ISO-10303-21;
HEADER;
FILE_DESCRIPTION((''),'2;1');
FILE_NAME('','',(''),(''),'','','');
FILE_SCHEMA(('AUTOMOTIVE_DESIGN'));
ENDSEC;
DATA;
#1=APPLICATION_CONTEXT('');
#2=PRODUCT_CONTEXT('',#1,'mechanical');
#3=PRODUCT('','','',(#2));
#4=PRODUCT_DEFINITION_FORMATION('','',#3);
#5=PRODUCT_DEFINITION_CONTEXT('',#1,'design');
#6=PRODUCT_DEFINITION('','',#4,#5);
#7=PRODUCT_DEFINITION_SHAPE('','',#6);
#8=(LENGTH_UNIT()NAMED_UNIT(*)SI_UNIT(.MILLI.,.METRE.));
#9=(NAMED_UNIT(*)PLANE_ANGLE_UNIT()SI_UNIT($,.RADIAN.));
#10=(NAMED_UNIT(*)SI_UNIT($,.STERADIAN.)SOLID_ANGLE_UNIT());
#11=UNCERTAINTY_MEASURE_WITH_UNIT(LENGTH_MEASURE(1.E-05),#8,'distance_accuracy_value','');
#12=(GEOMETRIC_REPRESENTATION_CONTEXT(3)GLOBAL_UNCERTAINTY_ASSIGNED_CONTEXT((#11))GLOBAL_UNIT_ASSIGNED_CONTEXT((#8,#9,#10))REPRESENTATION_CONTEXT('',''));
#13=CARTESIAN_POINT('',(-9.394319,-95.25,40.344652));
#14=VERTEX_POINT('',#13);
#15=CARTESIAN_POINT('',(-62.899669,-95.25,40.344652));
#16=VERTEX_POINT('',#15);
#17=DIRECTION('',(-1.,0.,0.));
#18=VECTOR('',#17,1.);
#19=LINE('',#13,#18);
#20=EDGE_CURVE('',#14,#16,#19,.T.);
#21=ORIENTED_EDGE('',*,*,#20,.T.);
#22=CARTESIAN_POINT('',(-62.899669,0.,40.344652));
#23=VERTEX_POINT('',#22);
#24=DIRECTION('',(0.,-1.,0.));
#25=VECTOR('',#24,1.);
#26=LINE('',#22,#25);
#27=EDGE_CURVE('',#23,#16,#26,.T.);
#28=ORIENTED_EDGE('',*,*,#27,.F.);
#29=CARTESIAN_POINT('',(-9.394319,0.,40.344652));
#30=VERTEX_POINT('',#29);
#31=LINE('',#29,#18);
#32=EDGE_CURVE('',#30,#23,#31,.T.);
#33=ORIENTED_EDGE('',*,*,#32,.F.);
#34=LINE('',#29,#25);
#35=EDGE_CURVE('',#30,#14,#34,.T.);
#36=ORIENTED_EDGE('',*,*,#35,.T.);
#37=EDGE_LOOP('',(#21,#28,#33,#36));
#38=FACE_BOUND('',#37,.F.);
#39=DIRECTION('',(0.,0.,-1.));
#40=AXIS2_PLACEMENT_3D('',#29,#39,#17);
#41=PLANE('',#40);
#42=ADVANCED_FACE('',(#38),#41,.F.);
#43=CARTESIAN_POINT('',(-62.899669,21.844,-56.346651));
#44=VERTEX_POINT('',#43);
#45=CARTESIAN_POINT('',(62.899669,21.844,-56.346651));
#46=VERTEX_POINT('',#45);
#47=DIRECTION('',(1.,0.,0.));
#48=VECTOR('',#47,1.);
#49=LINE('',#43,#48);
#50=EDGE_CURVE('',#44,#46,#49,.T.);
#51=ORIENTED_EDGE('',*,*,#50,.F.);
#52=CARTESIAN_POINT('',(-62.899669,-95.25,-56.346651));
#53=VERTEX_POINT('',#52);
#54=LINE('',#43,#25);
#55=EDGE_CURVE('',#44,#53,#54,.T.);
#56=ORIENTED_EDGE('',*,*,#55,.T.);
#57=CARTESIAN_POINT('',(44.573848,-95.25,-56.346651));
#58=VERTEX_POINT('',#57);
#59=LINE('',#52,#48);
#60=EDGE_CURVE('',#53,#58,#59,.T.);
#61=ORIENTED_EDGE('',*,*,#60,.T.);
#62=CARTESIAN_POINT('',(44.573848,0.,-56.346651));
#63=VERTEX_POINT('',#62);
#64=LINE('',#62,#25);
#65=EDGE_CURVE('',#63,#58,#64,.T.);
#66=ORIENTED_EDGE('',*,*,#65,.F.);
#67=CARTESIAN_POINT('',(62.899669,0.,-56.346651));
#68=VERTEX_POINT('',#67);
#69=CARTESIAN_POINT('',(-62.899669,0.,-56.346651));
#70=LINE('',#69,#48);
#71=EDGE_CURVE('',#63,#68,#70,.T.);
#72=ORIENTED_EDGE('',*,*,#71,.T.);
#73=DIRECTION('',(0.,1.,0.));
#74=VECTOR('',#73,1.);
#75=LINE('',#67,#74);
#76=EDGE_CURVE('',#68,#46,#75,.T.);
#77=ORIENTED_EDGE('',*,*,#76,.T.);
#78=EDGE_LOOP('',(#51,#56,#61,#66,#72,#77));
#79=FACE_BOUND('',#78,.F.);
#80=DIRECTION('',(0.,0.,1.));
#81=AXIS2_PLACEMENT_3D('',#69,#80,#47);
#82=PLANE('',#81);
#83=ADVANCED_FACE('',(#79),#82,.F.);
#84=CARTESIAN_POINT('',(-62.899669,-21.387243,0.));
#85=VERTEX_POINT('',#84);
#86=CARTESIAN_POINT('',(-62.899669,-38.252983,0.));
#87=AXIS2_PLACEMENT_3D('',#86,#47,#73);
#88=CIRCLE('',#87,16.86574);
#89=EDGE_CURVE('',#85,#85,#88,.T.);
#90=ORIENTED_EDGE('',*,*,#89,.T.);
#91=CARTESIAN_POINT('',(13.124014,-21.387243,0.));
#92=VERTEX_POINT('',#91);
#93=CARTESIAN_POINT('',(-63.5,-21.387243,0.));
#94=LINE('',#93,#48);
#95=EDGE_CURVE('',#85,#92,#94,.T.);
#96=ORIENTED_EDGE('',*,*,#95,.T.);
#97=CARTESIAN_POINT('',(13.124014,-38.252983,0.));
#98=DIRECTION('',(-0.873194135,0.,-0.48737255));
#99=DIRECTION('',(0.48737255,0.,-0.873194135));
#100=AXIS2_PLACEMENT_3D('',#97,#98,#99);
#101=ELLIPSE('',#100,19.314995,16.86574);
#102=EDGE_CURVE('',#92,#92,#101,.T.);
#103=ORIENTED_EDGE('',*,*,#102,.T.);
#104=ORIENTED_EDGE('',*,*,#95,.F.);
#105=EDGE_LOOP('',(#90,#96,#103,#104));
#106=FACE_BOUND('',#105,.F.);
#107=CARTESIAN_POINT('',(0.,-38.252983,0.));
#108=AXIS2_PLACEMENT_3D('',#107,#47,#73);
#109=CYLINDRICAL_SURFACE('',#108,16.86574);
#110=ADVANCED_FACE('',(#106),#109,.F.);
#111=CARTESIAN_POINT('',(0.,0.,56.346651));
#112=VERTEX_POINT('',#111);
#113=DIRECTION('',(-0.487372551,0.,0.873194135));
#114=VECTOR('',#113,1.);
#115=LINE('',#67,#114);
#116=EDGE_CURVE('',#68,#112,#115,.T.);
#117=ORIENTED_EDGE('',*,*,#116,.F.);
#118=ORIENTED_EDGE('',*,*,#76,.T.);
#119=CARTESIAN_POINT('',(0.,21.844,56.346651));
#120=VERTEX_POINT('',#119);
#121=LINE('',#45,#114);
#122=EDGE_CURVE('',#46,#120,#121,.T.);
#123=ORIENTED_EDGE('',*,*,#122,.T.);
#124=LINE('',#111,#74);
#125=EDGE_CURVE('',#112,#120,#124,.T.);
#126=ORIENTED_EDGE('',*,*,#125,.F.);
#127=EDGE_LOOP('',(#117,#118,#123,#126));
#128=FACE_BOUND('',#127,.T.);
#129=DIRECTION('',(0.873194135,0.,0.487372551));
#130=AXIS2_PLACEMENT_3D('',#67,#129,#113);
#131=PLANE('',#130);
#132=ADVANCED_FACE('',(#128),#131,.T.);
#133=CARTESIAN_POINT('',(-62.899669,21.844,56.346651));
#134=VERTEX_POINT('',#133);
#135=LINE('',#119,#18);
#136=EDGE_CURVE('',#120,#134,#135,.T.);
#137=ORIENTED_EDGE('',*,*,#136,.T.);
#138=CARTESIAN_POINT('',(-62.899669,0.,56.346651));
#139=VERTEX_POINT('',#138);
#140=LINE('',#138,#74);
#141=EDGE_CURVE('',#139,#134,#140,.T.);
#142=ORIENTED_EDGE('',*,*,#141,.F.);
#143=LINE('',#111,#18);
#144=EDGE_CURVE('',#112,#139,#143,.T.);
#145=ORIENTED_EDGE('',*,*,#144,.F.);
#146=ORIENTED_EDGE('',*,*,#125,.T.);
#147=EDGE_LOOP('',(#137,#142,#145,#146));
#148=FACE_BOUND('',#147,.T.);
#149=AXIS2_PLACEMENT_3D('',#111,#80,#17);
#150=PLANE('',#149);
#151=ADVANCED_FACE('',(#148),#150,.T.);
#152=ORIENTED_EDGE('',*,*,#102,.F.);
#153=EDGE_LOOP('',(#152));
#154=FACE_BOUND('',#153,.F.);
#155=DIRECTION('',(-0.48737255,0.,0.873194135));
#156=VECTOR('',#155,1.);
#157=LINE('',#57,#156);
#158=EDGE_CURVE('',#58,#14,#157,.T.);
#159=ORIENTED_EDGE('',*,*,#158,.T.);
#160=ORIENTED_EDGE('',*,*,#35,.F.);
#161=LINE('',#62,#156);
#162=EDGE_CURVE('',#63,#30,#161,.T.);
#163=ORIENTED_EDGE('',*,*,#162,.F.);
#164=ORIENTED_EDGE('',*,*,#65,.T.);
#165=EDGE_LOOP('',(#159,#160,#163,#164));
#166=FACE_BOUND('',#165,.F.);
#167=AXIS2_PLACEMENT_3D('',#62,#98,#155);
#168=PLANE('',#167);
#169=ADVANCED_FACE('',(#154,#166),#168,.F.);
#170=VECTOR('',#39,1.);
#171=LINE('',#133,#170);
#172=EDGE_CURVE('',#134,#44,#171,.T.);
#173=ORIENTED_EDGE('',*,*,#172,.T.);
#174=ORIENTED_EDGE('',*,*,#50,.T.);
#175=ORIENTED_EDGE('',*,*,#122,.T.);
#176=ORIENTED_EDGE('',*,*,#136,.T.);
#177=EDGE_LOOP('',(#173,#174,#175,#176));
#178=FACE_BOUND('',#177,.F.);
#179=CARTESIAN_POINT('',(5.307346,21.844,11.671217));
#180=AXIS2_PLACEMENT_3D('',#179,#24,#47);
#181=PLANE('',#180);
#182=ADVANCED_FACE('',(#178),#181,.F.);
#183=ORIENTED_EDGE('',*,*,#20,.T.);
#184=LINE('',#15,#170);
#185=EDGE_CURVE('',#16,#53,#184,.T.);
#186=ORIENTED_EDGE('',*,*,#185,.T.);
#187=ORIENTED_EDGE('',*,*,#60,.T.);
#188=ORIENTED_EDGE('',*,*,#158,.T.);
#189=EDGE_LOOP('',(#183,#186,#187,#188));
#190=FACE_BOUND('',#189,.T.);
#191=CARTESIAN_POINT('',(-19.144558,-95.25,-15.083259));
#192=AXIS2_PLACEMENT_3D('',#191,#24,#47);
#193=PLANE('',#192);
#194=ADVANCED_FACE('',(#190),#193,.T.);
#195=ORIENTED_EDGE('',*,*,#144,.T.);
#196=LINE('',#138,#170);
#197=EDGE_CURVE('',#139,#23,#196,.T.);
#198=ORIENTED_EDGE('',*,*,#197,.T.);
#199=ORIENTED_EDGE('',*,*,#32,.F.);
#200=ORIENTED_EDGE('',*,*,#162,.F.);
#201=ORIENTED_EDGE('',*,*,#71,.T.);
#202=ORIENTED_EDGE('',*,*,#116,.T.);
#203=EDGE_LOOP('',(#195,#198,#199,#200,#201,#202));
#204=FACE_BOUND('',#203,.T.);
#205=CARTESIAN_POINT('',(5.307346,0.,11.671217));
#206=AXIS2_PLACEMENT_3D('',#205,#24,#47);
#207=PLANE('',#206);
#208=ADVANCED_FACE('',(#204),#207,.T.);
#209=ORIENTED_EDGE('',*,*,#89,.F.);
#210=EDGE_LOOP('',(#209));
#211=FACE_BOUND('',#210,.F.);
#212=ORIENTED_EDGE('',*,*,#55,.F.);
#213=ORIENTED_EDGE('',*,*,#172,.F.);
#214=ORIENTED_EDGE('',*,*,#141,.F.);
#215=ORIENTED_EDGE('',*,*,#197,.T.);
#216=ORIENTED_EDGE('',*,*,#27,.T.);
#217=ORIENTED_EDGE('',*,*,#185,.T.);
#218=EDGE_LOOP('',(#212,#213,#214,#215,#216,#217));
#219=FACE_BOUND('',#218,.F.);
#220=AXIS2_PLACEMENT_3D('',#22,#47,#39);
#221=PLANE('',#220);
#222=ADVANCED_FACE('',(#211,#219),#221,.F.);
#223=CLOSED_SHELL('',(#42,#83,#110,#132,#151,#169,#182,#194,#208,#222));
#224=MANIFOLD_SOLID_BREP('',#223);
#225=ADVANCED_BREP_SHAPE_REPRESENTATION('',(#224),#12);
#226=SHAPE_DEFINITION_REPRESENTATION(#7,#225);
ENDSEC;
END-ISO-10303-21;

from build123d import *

# Parameters (mm, degrees)
F1_DEPTH = 21.844
F2_DEPTH = 95.25
F3_R     = 16.86574
F4_DEPTH = 63.5


with BuildPart() as f1:
    # F0 (on Front) → F1 (new body)
    with BuildSketch(Plane.XZ):
        Polygon((62.899669, -56.346651), (0, 56.346651), (-62.899669, 56.346651), (-62.899669, 40.344652), (-9.394319, 40.344652), (44.573848, -56.346651), align=None)
        Polygon((-9.394319, 40.344652), (-62.899669, 40.344652), (-62.899669, -56.346651), (44.573848, -56.346651), align=None)
    extrude(amount=-F1_DEPTH)

    # F0 (on Front) → F2 (join)
    with BuildSketch(Plane.XZ):
        Polygon((-9.394319, 40.344652), (-62.899669, 40.344652), (-62.899669, -56.346651), (44.573848, -56.346651), align=None)
    extrude(amount=F2_DEPTH)

    # F3 (on Right) → F4 (cut, symmetric)
    with BuildSketch(Plane.YZ):
        with Locations((-38.252983, 0)):
            Circle(F3_R)
    extrude(amount=F4_DEPTH, both=True, mode=Mode.SUBTRACT)


solid = f1.part
